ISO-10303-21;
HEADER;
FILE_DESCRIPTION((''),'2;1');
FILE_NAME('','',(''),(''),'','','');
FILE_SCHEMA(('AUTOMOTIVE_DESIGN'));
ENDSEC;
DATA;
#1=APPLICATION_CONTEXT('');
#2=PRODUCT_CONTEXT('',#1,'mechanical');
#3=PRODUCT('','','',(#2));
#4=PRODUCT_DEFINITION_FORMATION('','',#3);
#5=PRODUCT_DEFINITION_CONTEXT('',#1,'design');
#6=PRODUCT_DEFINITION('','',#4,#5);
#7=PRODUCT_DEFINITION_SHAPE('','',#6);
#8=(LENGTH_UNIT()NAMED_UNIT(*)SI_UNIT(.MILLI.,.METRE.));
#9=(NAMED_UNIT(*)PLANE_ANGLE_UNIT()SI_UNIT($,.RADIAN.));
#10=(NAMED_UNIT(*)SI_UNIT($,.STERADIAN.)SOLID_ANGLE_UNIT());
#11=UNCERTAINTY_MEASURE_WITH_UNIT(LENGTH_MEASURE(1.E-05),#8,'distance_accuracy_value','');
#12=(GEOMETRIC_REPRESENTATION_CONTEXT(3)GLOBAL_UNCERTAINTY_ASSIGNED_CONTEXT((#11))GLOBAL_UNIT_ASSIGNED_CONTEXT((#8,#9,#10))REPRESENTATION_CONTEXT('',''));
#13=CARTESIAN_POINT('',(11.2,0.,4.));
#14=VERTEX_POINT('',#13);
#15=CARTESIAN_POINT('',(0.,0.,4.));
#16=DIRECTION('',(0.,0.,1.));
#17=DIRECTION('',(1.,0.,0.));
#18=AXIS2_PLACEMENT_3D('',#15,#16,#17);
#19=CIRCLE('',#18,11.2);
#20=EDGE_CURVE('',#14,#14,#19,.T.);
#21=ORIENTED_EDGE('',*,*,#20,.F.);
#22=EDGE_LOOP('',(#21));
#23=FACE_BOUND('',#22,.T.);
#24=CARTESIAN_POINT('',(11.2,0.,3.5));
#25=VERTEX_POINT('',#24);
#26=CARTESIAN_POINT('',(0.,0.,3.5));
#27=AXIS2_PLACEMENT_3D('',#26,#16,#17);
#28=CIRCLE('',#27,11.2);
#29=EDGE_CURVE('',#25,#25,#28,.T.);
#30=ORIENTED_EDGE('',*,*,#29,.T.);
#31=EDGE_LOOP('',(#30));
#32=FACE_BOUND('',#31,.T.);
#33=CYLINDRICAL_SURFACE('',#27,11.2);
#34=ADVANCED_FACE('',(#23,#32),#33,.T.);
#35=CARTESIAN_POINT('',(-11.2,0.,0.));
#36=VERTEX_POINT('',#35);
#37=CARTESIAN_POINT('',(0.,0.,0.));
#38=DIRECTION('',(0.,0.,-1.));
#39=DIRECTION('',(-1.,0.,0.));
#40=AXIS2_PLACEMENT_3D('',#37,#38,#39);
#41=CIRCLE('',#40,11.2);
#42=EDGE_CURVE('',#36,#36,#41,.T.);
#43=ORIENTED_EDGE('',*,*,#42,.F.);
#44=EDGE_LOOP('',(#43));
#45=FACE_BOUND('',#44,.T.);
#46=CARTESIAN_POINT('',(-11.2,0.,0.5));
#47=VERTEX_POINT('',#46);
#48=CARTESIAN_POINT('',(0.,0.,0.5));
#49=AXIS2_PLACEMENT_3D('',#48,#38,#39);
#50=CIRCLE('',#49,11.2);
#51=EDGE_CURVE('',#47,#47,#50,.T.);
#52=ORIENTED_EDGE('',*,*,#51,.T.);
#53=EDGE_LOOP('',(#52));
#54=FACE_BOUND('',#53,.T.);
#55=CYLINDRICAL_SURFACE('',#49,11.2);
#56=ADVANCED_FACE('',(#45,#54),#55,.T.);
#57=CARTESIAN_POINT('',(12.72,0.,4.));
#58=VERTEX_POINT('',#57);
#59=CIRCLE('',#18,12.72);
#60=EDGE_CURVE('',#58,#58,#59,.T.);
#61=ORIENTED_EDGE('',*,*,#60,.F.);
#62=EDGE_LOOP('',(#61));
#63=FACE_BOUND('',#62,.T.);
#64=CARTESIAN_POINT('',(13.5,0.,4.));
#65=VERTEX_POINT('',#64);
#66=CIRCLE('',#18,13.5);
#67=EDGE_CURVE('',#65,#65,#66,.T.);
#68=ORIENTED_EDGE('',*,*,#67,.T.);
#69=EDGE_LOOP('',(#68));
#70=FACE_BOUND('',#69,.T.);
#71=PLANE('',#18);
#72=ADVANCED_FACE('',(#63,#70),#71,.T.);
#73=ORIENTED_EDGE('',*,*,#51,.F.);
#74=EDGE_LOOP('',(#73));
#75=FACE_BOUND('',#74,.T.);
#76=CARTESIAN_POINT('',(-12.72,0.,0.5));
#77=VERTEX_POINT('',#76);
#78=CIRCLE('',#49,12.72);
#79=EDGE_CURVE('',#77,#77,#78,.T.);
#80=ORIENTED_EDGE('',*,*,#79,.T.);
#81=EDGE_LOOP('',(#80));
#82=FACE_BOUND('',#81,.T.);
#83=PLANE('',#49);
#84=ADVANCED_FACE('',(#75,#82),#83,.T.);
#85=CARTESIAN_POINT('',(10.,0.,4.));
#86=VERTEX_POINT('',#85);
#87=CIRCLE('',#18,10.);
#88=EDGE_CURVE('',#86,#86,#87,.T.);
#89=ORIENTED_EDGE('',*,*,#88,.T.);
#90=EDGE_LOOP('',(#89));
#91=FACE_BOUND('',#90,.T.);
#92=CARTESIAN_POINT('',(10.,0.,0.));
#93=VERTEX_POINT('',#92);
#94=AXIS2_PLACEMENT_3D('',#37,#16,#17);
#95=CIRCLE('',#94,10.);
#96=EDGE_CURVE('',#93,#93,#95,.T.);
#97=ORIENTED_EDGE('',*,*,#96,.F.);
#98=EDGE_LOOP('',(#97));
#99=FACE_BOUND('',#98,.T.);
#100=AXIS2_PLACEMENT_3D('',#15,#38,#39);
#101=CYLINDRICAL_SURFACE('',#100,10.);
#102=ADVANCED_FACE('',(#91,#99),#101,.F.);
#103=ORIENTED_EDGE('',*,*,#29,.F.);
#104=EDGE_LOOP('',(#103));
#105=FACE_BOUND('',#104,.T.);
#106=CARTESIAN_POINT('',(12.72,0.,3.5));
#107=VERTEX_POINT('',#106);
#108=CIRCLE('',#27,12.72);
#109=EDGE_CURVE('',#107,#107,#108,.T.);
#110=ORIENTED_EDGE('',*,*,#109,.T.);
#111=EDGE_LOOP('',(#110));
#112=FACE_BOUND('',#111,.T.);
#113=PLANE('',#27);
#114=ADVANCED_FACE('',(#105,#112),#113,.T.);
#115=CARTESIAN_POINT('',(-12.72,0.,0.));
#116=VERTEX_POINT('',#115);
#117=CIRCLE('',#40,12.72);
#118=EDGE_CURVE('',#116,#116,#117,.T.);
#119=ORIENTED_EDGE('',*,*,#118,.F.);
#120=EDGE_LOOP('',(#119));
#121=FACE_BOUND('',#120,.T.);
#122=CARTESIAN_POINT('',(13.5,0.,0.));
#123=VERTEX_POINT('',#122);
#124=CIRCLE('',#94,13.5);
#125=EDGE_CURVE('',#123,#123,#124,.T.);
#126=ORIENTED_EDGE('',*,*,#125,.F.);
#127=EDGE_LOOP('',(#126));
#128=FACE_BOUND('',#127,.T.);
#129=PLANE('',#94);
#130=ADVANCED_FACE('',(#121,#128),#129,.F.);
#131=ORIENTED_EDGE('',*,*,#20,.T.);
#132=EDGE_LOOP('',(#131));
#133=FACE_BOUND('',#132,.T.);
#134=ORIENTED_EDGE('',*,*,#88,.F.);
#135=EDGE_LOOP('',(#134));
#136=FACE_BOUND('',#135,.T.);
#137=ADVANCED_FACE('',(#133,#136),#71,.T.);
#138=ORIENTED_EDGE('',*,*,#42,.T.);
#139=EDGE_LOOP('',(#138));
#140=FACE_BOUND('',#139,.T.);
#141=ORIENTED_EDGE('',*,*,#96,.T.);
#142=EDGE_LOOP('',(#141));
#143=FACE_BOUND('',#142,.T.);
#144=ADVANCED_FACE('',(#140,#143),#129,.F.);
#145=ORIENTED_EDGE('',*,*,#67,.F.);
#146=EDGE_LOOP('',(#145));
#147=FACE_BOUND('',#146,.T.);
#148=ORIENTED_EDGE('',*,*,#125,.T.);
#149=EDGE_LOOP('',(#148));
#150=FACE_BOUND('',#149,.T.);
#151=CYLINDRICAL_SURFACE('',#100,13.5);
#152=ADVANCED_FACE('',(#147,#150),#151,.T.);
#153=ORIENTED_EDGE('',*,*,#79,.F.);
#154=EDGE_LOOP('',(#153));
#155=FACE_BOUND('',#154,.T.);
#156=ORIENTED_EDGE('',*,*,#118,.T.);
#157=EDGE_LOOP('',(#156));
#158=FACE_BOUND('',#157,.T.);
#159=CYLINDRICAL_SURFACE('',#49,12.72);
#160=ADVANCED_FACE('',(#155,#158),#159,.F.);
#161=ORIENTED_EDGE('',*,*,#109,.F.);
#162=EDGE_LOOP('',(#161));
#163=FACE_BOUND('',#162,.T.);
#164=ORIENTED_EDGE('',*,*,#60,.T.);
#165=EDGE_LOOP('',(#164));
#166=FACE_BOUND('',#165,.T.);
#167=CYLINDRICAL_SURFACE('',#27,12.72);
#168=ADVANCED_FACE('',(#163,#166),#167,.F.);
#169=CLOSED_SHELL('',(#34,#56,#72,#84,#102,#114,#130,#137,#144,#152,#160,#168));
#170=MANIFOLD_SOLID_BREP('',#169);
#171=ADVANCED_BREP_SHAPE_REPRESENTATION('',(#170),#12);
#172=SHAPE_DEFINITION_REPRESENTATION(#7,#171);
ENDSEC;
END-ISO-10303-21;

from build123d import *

# Parameters (mm, degrees)
SKETCH_1_R          = 13.5
SKETCH_1_R_2        = 10
EXTRUDE_1_DEPTH     = 4
SKETCH_2_R          = 12.72
SKETCH_2_R_2        = 11.2
CUT_EXTRUDE_1_DEPTH = 0.5
SKETCH_3_R          = 12.72
SKETCH_3_R_2        = 11.2
CUT_EXTRUDE_2_DEPTH = 0.5


with BuildPart() as part:
    # 草圖1 → 填料-伸長1 (new body)
    with BuildSketch(Plane.XY):
        Circle(SKETCH_1_R)
        Circle(SKETCH_1_R_2, mode=Mode.SUBTRACT)
    extrude(amount=EXTRUDE_1_DEPTH)

    # 草圖2 → 除料-伸長1 (cut)
    with BuildSketch(Plane.XY.offset(4)):
        Circle(SKETCH_2_R)
        Circle(SKETCH_2_R_2, mode=Mode.SUBTRACT)
    extrude(amount=-CUT_EXTRUDE_1_DEPTH, mode=Mode.SUBTRACT)

    # 草圖3 → 除料-伸長2 (cut)
    with BuildSketch(Plane(origin=(0, 0, 0), x_dir=(-1, 0, 0), z_dir=(0, 0, -1))):
        Circle(SKETCH_3_R)
        Circle(SKETCH_3_R_2, mode=Mode.SUBTRACT)
    extrude(amount=-CUT_EXTRUDE_2_DEPTH, mode=Mode.SUBTRACT)


solid = part.part
